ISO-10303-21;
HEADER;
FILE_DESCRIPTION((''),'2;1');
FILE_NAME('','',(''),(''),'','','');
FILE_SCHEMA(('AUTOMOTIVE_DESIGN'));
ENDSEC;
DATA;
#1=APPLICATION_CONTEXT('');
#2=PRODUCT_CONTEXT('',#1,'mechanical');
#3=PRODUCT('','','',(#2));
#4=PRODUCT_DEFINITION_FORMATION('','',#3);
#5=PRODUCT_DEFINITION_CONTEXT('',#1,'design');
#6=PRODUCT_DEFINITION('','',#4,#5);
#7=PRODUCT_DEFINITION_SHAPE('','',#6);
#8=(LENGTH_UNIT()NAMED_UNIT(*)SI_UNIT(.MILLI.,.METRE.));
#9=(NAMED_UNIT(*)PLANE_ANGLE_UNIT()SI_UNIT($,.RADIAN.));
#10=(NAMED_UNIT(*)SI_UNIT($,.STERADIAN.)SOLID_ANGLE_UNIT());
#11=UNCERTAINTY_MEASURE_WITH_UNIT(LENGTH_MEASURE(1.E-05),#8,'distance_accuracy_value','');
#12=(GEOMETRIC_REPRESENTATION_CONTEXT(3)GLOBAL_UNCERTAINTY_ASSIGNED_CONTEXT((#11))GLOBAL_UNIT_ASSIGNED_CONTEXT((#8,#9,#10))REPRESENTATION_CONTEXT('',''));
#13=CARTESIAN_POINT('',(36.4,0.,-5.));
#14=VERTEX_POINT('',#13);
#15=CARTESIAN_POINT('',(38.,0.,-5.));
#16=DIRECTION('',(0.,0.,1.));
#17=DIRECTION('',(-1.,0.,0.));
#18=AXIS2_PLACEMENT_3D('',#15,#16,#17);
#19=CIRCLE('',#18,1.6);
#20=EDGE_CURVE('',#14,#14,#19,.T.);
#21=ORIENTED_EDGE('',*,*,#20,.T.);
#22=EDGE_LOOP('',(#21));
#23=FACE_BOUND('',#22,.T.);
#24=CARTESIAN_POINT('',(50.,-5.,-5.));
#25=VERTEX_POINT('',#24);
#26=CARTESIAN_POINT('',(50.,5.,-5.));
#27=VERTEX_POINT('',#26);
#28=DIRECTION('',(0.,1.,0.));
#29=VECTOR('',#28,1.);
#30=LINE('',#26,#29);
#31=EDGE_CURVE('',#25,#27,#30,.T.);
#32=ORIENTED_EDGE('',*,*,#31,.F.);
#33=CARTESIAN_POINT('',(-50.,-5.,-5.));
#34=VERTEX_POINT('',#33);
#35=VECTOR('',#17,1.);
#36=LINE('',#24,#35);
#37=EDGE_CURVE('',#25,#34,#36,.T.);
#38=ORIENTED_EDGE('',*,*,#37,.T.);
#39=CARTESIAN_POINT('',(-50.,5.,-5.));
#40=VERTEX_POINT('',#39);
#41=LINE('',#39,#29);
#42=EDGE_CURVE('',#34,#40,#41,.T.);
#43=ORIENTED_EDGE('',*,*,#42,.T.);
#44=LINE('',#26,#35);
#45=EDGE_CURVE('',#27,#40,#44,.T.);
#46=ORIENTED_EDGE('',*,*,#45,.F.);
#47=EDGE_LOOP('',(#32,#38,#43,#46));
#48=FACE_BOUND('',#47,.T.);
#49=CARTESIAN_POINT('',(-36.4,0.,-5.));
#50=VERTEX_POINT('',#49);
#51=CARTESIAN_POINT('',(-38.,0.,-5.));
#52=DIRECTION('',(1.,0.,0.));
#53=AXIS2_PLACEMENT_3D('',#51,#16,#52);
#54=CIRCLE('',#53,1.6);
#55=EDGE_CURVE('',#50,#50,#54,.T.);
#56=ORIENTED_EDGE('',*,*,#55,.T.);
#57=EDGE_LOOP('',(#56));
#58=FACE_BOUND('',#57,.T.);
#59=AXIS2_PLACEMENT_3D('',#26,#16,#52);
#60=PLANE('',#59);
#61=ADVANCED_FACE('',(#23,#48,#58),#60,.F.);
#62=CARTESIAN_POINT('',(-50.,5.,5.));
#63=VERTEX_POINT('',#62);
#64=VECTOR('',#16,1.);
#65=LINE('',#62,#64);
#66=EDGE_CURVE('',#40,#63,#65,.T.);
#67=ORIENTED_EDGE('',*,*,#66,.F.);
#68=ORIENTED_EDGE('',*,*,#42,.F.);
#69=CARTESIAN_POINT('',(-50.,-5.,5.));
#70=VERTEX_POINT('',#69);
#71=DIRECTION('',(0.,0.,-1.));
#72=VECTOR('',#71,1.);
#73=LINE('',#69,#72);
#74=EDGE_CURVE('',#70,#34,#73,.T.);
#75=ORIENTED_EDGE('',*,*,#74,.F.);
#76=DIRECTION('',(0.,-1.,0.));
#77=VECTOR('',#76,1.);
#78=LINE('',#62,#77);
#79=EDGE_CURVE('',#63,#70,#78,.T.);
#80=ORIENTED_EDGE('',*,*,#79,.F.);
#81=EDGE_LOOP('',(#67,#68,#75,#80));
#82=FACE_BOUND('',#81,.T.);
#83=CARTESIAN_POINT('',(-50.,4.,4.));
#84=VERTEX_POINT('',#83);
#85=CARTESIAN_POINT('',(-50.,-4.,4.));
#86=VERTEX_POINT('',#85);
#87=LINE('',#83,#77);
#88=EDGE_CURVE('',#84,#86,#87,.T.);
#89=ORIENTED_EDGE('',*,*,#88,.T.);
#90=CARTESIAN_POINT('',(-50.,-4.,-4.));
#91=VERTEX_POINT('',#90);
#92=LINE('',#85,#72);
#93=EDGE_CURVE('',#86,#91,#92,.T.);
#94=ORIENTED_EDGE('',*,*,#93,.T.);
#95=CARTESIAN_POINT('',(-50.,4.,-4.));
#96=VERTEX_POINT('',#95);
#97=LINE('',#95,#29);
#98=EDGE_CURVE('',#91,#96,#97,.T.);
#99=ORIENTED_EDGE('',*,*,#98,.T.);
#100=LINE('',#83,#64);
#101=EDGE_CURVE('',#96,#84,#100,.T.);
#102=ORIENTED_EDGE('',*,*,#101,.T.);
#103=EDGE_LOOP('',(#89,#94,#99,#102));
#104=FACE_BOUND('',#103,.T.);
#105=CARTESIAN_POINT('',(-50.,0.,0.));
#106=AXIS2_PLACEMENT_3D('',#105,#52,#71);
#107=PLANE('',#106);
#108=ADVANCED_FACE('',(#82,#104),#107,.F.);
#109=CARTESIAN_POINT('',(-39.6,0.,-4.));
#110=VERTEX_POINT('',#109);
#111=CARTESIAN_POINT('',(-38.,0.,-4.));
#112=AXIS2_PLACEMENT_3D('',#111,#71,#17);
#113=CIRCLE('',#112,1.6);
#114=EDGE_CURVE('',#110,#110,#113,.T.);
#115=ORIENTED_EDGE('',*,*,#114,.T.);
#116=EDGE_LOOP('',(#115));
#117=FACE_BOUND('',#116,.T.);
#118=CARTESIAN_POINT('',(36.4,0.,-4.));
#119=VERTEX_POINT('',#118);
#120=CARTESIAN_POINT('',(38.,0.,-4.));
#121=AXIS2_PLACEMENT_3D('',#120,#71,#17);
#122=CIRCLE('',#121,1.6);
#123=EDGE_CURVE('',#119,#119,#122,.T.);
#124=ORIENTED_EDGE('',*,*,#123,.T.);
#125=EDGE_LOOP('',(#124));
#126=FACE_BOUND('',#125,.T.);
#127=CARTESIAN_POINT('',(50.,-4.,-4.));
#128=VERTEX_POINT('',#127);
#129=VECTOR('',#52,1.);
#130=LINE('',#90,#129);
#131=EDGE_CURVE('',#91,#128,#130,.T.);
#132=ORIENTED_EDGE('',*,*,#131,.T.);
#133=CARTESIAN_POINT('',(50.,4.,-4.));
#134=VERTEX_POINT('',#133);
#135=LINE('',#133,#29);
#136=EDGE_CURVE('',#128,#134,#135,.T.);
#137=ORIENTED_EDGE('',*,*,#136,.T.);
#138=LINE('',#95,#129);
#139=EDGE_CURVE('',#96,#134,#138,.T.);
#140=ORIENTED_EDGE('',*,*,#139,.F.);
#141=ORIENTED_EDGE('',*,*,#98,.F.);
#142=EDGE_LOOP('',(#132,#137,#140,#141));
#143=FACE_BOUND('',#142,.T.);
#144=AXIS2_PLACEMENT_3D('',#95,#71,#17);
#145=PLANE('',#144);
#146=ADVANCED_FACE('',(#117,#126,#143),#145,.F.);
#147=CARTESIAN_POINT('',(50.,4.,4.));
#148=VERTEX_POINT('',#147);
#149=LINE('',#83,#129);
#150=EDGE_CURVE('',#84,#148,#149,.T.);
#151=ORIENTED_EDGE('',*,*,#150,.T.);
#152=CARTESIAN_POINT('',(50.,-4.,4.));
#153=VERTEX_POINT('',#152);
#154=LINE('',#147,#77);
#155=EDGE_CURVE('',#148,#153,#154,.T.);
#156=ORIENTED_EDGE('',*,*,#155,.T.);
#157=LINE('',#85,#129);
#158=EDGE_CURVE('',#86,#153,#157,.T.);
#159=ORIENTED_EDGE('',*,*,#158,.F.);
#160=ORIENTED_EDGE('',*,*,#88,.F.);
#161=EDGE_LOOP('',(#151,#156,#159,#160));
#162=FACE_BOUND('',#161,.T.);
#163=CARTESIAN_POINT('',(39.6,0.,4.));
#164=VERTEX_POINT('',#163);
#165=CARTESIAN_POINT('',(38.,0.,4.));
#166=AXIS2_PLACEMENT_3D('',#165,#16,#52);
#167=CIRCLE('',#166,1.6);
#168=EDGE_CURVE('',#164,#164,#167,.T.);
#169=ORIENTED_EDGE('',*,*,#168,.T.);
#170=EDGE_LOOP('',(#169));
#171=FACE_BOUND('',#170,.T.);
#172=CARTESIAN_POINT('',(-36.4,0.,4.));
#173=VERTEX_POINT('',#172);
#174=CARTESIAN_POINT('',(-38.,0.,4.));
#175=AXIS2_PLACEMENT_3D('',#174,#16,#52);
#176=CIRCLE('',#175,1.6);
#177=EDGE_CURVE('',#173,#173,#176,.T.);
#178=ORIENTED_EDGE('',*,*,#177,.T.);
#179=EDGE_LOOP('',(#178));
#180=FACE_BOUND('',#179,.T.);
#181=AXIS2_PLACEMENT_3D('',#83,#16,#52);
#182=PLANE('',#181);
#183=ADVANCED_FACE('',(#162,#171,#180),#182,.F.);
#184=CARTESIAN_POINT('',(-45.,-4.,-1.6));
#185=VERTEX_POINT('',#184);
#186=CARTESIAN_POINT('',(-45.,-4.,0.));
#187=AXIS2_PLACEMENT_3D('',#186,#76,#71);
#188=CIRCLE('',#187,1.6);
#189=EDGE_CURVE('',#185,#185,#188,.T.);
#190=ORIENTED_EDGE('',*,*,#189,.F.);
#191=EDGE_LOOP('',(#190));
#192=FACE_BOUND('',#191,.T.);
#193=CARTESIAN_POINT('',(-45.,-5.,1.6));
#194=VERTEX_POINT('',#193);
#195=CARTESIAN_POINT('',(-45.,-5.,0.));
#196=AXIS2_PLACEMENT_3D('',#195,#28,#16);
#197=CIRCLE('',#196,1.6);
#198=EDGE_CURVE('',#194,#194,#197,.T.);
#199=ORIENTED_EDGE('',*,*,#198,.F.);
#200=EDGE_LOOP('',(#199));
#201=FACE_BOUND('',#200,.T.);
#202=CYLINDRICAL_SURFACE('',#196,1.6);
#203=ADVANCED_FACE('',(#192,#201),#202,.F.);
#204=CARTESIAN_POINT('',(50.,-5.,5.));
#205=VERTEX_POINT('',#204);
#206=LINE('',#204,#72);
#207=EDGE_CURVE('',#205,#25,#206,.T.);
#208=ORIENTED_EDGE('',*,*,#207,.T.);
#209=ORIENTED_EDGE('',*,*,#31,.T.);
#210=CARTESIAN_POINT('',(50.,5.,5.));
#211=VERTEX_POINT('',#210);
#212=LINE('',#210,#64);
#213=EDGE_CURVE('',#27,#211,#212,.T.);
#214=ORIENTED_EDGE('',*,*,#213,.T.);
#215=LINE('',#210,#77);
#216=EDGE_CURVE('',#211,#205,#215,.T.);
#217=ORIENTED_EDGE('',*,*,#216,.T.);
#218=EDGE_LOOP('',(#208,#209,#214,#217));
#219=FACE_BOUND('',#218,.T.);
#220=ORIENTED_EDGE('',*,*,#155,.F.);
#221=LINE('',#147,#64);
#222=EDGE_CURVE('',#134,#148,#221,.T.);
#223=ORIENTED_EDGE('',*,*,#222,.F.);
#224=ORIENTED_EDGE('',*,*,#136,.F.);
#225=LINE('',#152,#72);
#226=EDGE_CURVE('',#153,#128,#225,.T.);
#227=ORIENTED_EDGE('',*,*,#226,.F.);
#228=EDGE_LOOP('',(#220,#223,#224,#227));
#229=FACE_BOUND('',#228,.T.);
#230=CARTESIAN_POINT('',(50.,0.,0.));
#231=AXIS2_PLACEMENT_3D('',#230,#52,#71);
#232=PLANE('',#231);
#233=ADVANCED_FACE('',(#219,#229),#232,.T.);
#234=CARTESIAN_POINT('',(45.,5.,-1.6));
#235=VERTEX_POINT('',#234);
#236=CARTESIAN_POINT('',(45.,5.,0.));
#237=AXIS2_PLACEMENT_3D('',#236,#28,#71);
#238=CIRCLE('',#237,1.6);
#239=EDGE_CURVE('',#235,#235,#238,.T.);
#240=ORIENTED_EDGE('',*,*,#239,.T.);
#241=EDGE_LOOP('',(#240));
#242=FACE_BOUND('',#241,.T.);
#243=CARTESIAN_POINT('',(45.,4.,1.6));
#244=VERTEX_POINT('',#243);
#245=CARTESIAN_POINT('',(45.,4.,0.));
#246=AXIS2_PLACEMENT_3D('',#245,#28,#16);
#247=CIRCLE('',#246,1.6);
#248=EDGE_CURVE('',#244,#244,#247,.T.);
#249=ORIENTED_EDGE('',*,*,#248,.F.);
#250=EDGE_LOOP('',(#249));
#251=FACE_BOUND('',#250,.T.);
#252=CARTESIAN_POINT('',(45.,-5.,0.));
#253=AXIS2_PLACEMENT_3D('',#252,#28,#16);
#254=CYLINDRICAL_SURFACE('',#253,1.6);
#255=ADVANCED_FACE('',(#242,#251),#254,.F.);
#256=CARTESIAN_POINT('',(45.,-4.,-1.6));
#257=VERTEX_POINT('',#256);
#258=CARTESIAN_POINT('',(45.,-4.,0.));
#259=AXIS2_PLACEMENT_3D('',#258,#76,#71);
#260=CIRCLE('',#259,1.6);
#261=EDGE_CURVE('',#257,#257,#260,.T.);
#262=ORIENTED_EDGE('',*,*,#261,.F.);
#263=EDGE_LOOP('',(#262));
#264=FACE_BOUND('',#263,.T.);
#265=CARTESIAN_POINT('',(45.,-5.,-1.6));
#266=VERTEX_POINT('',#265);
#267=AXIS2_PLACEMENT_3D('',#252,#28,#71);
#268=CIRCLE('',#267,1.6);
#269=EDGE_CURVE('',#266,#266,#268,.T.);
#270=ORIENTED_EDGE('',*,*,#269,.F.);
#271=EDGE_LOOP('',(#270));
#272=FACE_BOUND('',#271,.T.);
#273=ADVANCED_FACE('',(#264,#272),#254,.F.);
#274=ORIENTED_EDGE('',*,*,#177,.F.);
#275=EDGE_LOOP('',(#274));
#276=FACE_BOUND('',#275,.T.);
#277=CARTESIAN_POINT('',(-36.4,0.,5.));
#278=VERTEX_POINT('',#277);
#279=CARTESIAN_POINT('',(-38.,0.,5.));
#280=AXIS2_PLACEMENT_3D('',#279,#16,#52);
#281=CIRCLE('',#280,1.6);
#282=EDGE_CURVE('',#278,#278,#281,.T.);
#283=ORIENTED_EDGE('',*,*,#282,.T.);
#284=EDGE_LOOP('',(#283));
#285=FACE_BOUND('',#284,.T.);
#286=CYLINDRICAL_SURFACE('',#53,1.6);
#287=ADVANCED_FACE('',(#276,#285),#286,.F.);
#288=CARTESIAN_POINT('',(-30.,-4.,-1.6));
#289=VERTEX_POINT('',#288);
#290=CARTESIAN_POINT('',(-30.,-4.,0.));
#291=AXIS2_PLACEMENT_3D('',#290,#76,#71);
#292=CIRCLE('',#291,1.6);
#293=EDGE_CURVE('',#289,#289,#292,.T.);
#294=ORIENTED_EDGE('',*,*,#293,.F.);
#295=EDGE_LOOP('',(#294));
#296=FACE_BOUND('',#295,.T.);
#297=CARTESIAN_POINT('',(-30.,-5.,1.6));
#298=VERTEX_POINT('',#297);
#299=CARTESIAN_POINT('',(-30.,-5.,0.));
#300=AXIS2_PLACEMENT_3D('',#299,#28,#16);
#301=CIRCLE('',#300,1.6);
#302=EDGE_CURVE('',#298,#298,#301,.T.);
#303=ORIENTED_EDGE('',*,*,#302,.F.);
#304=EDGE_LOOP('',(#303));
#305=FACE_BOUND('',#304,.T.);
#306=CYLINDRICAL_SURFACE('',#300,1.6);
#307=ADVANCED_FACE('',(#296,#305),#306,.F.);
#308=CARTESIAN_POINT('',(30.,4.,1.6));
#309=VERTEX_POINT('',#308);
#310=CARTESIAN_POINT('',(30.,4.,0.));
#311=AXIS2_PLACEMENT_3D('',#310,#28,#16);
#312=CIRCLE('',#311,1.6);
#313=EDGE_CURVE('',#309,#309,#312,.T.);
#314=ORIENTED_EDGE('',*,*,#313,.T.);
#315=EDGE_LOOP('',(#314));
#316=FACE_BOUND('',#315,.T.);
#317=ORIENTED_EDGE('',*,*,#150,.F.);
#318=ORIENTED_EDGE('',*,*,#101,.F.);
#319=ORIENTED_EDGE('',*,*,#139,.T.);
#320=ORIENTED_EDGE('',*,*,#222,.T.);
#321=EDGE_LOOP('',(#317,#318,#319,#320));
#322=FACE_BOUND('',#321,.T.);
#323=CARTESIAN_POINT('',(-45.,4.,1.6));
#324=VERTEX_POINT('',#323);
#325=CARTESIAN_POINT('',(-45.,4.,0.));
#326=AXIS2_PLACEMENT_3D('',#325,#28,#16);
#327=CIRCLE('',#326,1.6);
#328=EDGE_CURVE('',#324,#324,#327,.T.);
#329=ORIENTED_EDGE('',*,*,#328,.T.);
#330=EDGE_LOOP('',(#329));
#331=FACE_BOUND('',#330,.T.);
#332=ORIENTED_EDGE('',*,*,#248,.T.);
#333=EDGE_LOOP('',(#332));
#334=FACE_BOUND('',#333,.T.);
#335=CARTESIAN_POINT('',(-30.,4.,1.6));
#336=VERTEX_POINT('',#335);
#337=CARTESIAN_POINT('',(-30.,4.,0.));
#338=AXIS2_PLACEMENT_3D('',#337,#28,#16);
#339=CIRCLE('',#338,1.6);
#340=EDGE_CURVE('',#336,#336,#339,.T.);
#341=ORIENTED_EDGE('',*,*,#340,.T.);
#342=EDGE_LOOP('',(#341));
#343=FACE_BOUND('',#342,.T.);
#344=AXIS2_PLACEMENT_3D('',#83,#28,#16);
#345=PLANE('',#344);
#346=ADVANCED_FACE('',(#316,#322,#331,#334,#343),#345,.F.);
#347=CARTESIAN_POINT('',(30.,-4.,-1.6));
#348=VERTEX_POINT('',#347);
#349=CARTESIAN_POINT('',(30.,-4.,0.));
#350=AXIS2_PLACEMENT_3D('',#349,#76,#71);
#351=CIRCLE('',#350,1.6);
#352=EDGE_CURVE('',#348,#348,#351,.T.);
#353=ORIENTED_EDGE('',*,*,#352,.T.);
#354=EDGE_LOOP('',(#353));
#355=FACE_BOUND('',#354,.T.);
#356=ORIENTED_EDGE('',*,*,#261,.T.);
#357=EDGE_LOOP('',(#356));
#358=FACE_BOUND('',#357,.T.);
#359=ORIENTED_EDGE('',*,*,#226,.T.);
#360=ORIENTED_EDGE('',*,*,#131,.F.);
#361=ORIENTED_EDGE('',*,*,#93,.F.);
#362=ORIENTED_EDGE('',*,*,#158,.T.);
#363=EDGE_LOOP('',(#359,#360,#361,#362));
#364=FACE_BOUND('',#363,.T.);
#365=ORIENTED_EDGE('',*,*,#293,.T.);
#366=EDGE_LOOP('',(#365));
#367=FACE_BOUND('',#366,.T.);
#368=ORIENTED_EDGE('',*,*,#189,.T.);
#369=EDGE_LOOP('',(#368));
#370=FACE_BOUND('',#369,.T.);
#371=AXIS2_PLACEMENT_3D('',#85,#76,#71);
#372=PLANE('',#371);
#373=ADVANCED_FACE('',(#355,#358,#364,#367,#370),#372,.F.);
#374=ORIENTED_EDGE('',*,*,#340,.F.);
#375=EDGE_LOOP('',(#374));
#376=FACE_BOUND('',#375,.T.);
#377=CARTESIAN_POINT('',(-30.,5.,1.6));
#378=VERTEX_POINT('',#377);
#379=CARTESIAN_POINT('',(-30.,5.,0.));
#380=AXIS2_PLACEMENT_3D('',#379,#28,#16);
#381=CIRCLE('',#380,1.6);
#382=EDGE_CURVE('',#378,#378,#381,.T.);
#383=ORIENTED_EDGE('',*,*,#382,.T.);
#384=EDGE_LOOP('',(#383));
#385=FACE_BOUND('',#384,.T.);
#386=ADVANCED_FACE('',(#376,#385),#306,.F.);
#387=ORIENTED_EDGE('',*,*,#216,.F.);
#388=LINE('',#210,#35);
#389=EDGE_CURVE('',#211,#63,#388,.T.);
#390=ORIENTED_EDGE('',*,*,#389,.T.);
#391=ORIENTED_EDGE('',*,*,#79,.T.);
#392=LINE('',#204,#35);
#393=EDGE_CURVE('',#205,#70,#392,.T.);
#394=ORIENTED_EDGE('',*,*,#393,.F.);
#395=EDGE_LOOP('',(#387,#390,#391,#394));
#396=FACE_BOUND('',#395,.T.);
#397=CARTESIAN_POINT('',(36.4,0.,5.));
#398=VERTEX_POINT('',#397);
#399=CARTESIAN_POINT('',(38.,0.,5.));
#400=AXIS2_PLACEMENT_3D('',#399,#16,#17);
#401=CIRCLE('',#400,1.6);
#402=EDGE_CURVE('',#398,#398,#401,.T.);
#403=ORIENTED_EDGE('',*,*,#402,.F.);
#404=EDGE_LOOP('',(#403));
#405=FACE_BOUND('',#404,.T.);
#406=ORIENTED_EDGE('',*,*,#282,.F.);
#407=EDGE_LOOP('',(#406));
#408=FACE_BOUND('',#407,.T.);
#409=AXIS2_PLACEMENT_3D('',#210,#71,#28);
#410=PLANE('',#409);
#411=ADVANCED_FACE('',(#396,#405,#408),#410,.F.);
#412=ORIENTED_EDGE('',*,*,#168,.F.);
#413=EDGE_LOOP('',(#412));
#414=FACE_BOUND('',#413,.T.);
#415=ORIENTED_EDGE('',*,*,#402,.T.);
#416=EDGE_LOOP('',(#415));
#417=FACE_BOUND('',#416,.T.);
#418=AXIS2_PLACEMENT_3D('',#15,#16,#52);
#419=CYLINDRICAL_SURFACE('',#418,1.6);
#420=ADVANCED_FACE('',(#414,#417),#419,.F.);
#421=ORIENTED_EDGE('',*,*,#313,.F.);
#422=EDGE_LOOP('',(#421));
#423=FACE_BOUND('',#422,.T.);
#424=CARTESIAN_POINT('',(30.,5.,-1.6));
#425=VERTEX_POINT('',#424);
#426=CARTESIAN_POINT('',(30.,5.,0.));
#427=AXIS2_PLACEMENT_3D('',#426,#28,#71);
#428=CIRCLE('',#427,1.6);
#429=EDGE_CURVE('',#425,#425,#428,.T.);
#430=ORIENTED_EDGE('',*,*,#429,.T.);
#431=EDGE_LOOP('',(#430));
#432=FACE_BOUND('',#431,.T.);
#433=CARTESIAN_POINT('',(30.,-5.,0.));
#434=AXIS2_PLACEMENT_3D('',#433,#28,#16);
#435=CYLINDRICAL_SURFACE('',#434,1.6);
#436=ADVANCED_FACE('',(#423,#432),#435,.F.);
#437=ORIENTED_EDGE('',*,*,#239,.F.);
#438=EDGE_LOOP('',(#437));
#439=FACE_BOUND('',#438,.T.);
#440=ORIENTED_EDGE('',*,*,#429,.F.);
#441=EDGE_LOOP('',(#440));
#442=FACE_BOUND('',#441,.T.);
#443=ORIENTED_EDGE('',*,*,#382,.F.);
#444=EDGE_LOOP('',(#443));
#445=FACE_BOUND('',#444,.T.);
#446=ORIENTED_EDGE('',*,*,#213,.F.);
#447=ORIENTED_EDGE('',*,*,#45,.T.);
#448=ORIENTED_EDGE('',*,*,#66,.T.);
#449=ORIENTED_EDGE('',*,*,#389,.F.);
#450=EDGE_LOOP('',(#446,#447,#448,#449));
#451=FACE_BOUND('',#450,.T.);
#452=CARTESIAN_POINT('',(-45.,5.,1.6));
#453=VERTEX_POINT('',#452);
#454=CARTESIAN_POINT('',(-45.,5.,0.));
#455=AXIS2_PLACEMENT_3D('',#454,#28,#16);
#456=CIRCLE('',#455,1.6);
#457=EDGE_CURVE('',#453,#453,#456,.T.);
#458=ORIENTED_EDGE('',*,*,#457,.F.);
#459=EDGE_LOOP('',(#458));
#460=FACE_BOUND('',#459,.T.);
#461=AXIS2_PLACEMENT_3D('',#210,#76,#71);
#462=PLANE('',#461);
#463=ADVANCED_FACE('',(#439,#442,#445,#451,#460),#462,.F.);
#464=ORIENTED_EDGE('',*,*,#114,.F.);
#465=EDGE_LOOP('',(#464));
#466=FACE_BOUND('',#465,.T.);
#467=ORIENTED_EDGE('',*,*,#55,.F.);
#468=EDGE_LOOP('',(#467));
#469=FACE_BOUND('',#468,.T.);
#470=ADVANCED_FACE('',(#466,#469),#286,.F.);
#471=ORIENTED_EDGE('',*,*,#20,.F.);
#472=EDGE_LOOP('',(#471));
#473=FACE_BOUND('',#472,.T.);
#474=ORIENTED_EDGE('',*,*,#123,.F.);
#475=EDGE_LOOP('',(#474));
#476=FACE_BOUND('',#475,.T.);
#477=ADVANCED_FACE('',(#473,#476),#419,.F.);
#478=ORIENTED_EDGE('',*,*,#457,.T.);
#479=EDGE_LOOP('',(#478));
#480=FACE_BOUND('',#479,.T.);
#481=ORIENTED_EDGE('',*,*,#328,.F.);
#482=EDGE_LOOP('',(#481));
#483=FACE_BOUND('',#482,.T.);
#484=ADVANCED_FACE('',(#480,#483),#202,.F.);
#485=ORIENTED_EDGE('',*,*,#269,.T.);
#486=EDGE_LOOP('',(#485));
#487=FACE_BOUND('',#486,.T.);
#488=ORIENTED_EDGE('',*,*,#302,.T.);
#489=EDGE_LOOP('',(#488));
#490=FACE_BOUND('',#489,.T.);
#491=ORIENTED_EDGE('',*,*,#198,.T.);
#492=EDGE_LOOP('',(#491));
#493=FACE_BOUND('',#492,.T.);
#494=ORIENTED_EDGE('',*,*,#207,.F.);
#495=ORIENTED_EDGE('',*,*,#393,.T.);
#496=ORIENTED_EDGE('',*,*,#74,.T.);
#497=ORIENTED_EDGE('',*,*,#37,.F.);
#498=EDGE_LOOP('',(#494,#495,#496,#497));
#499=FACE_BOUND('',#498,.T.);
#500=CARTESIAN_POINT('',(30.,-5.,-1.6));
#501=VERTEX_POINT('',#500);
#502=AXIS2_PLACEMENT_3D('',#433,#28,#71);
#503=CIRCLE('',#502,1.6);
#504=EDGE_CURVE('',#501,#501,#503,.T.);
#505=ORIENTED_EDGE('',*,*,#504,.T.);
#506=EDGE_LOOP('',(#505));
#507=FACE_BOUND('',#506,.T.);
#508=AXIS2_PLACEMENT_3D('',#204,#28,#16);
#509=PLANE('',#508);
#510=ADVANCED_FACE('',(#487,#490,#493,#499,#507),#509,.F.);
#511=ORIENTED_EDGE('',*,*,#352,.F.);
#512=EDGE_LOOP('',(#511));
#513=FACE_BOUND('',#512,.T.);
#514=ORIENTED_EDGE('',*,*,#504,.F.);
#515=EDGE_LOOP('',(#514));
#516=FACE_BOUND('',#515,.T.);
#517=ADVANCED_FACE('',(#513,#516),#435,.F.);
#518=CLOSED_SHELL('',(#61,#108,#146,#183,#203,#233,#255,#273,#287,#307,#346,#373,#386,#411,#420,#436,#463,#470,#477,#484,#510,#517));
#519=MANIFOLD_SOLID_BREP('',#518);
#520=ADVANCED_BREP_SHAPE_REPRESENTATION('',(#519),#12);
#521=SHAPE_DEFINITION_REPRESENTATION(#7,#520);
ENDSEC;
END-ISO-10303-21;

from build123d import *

# Parameters (mm, degrees)
SKETCH_1_W          = 10
SKETCH_1_H          = 10
EXTRUDE_1_DEPTH     = 50
SKETCH_2_W          = 8
SKETCH_2_H          = 8
CUT_EXTRUDE_1_DEPTH = 101.249688279
SKETCH_3_R          = 1.6
CUT_EXTRUDE_2_DEPTH = 52.23475383
SKETCH_4_R          = 1.6
CUT_EXTRUDE_3_DEPTH = 52.23475383


with BuildPart() as part:
    # ｽｹｯﾁ1 → ﾎﾞｽ - 押し出し1 (new, symmetric)
    with BuildSketch(Plane(origin=(0, 0, 0), x_dir=(0, 0, -1), z_dir=(1, 0, 0))):
        Rectangle(SKETCH_1_W, SKETCH_1_H)
    extrude(amount=EXTRUDE_1_DEPTH, both=True)

    # ｽｹｯﾁ2 → ｶｯﾄ - 押し出し1 (cut, through all)
    with BuildSketch(Plane(origin=(50, 0, 0), x_dir=(0, 0, -1), z_dir=(1, 0, 0))):
        Rectangle(SKETCH_2_W, SKETCH_2_H)
    extrude(amount=-CUT_EXTRUDE_1_DEPTH, mode=Mode.SUBTRACT)

    # ｽｹｯﾁ3 → ｶｯﾄ - 押し出し2 (cut, through all)
    with BuildSketch(Plane(origin=(0, 5, 0), x_dir=(1, 0, 0), z_dir=(0, 1, 0))):
        with Locations(Location((-45, 0, 0), (0, 0, 270))):
            Circle(SKETCH_3_R)
        with Locations(Location((-30, 0, 0), (0, 0, 270))):
            Circle(SKETCH_3_R)
        with Locations(Location((30, 0, 0), (0, 0, 270))):
            Circle(SKETCH_3_R)
        with Locations(Location((45, 0, 0), (0, 0, 270))):
            Circle(SKETCH_3_R)
    extrude(amount=-CUT_EXTRUDE_2_DEPTH, mode=Mode.SUBTRACT)

    # ｽｹｯﾁ4 → ｶｯﾄ - 押し出し3 (cut, through all)
    with BuildSketch(Plane.XY.offset(5)):
        with Locations((-38, 0)):
            Circle(SKETCH_4_R)
        with Locations((38, 0)):
            Circle(SKETCH_4_R)
    extrude(amount=-CUT_EXTRUDE_3_DEPTH, mode=Mode.SUBTRACT)


solid = part.part
